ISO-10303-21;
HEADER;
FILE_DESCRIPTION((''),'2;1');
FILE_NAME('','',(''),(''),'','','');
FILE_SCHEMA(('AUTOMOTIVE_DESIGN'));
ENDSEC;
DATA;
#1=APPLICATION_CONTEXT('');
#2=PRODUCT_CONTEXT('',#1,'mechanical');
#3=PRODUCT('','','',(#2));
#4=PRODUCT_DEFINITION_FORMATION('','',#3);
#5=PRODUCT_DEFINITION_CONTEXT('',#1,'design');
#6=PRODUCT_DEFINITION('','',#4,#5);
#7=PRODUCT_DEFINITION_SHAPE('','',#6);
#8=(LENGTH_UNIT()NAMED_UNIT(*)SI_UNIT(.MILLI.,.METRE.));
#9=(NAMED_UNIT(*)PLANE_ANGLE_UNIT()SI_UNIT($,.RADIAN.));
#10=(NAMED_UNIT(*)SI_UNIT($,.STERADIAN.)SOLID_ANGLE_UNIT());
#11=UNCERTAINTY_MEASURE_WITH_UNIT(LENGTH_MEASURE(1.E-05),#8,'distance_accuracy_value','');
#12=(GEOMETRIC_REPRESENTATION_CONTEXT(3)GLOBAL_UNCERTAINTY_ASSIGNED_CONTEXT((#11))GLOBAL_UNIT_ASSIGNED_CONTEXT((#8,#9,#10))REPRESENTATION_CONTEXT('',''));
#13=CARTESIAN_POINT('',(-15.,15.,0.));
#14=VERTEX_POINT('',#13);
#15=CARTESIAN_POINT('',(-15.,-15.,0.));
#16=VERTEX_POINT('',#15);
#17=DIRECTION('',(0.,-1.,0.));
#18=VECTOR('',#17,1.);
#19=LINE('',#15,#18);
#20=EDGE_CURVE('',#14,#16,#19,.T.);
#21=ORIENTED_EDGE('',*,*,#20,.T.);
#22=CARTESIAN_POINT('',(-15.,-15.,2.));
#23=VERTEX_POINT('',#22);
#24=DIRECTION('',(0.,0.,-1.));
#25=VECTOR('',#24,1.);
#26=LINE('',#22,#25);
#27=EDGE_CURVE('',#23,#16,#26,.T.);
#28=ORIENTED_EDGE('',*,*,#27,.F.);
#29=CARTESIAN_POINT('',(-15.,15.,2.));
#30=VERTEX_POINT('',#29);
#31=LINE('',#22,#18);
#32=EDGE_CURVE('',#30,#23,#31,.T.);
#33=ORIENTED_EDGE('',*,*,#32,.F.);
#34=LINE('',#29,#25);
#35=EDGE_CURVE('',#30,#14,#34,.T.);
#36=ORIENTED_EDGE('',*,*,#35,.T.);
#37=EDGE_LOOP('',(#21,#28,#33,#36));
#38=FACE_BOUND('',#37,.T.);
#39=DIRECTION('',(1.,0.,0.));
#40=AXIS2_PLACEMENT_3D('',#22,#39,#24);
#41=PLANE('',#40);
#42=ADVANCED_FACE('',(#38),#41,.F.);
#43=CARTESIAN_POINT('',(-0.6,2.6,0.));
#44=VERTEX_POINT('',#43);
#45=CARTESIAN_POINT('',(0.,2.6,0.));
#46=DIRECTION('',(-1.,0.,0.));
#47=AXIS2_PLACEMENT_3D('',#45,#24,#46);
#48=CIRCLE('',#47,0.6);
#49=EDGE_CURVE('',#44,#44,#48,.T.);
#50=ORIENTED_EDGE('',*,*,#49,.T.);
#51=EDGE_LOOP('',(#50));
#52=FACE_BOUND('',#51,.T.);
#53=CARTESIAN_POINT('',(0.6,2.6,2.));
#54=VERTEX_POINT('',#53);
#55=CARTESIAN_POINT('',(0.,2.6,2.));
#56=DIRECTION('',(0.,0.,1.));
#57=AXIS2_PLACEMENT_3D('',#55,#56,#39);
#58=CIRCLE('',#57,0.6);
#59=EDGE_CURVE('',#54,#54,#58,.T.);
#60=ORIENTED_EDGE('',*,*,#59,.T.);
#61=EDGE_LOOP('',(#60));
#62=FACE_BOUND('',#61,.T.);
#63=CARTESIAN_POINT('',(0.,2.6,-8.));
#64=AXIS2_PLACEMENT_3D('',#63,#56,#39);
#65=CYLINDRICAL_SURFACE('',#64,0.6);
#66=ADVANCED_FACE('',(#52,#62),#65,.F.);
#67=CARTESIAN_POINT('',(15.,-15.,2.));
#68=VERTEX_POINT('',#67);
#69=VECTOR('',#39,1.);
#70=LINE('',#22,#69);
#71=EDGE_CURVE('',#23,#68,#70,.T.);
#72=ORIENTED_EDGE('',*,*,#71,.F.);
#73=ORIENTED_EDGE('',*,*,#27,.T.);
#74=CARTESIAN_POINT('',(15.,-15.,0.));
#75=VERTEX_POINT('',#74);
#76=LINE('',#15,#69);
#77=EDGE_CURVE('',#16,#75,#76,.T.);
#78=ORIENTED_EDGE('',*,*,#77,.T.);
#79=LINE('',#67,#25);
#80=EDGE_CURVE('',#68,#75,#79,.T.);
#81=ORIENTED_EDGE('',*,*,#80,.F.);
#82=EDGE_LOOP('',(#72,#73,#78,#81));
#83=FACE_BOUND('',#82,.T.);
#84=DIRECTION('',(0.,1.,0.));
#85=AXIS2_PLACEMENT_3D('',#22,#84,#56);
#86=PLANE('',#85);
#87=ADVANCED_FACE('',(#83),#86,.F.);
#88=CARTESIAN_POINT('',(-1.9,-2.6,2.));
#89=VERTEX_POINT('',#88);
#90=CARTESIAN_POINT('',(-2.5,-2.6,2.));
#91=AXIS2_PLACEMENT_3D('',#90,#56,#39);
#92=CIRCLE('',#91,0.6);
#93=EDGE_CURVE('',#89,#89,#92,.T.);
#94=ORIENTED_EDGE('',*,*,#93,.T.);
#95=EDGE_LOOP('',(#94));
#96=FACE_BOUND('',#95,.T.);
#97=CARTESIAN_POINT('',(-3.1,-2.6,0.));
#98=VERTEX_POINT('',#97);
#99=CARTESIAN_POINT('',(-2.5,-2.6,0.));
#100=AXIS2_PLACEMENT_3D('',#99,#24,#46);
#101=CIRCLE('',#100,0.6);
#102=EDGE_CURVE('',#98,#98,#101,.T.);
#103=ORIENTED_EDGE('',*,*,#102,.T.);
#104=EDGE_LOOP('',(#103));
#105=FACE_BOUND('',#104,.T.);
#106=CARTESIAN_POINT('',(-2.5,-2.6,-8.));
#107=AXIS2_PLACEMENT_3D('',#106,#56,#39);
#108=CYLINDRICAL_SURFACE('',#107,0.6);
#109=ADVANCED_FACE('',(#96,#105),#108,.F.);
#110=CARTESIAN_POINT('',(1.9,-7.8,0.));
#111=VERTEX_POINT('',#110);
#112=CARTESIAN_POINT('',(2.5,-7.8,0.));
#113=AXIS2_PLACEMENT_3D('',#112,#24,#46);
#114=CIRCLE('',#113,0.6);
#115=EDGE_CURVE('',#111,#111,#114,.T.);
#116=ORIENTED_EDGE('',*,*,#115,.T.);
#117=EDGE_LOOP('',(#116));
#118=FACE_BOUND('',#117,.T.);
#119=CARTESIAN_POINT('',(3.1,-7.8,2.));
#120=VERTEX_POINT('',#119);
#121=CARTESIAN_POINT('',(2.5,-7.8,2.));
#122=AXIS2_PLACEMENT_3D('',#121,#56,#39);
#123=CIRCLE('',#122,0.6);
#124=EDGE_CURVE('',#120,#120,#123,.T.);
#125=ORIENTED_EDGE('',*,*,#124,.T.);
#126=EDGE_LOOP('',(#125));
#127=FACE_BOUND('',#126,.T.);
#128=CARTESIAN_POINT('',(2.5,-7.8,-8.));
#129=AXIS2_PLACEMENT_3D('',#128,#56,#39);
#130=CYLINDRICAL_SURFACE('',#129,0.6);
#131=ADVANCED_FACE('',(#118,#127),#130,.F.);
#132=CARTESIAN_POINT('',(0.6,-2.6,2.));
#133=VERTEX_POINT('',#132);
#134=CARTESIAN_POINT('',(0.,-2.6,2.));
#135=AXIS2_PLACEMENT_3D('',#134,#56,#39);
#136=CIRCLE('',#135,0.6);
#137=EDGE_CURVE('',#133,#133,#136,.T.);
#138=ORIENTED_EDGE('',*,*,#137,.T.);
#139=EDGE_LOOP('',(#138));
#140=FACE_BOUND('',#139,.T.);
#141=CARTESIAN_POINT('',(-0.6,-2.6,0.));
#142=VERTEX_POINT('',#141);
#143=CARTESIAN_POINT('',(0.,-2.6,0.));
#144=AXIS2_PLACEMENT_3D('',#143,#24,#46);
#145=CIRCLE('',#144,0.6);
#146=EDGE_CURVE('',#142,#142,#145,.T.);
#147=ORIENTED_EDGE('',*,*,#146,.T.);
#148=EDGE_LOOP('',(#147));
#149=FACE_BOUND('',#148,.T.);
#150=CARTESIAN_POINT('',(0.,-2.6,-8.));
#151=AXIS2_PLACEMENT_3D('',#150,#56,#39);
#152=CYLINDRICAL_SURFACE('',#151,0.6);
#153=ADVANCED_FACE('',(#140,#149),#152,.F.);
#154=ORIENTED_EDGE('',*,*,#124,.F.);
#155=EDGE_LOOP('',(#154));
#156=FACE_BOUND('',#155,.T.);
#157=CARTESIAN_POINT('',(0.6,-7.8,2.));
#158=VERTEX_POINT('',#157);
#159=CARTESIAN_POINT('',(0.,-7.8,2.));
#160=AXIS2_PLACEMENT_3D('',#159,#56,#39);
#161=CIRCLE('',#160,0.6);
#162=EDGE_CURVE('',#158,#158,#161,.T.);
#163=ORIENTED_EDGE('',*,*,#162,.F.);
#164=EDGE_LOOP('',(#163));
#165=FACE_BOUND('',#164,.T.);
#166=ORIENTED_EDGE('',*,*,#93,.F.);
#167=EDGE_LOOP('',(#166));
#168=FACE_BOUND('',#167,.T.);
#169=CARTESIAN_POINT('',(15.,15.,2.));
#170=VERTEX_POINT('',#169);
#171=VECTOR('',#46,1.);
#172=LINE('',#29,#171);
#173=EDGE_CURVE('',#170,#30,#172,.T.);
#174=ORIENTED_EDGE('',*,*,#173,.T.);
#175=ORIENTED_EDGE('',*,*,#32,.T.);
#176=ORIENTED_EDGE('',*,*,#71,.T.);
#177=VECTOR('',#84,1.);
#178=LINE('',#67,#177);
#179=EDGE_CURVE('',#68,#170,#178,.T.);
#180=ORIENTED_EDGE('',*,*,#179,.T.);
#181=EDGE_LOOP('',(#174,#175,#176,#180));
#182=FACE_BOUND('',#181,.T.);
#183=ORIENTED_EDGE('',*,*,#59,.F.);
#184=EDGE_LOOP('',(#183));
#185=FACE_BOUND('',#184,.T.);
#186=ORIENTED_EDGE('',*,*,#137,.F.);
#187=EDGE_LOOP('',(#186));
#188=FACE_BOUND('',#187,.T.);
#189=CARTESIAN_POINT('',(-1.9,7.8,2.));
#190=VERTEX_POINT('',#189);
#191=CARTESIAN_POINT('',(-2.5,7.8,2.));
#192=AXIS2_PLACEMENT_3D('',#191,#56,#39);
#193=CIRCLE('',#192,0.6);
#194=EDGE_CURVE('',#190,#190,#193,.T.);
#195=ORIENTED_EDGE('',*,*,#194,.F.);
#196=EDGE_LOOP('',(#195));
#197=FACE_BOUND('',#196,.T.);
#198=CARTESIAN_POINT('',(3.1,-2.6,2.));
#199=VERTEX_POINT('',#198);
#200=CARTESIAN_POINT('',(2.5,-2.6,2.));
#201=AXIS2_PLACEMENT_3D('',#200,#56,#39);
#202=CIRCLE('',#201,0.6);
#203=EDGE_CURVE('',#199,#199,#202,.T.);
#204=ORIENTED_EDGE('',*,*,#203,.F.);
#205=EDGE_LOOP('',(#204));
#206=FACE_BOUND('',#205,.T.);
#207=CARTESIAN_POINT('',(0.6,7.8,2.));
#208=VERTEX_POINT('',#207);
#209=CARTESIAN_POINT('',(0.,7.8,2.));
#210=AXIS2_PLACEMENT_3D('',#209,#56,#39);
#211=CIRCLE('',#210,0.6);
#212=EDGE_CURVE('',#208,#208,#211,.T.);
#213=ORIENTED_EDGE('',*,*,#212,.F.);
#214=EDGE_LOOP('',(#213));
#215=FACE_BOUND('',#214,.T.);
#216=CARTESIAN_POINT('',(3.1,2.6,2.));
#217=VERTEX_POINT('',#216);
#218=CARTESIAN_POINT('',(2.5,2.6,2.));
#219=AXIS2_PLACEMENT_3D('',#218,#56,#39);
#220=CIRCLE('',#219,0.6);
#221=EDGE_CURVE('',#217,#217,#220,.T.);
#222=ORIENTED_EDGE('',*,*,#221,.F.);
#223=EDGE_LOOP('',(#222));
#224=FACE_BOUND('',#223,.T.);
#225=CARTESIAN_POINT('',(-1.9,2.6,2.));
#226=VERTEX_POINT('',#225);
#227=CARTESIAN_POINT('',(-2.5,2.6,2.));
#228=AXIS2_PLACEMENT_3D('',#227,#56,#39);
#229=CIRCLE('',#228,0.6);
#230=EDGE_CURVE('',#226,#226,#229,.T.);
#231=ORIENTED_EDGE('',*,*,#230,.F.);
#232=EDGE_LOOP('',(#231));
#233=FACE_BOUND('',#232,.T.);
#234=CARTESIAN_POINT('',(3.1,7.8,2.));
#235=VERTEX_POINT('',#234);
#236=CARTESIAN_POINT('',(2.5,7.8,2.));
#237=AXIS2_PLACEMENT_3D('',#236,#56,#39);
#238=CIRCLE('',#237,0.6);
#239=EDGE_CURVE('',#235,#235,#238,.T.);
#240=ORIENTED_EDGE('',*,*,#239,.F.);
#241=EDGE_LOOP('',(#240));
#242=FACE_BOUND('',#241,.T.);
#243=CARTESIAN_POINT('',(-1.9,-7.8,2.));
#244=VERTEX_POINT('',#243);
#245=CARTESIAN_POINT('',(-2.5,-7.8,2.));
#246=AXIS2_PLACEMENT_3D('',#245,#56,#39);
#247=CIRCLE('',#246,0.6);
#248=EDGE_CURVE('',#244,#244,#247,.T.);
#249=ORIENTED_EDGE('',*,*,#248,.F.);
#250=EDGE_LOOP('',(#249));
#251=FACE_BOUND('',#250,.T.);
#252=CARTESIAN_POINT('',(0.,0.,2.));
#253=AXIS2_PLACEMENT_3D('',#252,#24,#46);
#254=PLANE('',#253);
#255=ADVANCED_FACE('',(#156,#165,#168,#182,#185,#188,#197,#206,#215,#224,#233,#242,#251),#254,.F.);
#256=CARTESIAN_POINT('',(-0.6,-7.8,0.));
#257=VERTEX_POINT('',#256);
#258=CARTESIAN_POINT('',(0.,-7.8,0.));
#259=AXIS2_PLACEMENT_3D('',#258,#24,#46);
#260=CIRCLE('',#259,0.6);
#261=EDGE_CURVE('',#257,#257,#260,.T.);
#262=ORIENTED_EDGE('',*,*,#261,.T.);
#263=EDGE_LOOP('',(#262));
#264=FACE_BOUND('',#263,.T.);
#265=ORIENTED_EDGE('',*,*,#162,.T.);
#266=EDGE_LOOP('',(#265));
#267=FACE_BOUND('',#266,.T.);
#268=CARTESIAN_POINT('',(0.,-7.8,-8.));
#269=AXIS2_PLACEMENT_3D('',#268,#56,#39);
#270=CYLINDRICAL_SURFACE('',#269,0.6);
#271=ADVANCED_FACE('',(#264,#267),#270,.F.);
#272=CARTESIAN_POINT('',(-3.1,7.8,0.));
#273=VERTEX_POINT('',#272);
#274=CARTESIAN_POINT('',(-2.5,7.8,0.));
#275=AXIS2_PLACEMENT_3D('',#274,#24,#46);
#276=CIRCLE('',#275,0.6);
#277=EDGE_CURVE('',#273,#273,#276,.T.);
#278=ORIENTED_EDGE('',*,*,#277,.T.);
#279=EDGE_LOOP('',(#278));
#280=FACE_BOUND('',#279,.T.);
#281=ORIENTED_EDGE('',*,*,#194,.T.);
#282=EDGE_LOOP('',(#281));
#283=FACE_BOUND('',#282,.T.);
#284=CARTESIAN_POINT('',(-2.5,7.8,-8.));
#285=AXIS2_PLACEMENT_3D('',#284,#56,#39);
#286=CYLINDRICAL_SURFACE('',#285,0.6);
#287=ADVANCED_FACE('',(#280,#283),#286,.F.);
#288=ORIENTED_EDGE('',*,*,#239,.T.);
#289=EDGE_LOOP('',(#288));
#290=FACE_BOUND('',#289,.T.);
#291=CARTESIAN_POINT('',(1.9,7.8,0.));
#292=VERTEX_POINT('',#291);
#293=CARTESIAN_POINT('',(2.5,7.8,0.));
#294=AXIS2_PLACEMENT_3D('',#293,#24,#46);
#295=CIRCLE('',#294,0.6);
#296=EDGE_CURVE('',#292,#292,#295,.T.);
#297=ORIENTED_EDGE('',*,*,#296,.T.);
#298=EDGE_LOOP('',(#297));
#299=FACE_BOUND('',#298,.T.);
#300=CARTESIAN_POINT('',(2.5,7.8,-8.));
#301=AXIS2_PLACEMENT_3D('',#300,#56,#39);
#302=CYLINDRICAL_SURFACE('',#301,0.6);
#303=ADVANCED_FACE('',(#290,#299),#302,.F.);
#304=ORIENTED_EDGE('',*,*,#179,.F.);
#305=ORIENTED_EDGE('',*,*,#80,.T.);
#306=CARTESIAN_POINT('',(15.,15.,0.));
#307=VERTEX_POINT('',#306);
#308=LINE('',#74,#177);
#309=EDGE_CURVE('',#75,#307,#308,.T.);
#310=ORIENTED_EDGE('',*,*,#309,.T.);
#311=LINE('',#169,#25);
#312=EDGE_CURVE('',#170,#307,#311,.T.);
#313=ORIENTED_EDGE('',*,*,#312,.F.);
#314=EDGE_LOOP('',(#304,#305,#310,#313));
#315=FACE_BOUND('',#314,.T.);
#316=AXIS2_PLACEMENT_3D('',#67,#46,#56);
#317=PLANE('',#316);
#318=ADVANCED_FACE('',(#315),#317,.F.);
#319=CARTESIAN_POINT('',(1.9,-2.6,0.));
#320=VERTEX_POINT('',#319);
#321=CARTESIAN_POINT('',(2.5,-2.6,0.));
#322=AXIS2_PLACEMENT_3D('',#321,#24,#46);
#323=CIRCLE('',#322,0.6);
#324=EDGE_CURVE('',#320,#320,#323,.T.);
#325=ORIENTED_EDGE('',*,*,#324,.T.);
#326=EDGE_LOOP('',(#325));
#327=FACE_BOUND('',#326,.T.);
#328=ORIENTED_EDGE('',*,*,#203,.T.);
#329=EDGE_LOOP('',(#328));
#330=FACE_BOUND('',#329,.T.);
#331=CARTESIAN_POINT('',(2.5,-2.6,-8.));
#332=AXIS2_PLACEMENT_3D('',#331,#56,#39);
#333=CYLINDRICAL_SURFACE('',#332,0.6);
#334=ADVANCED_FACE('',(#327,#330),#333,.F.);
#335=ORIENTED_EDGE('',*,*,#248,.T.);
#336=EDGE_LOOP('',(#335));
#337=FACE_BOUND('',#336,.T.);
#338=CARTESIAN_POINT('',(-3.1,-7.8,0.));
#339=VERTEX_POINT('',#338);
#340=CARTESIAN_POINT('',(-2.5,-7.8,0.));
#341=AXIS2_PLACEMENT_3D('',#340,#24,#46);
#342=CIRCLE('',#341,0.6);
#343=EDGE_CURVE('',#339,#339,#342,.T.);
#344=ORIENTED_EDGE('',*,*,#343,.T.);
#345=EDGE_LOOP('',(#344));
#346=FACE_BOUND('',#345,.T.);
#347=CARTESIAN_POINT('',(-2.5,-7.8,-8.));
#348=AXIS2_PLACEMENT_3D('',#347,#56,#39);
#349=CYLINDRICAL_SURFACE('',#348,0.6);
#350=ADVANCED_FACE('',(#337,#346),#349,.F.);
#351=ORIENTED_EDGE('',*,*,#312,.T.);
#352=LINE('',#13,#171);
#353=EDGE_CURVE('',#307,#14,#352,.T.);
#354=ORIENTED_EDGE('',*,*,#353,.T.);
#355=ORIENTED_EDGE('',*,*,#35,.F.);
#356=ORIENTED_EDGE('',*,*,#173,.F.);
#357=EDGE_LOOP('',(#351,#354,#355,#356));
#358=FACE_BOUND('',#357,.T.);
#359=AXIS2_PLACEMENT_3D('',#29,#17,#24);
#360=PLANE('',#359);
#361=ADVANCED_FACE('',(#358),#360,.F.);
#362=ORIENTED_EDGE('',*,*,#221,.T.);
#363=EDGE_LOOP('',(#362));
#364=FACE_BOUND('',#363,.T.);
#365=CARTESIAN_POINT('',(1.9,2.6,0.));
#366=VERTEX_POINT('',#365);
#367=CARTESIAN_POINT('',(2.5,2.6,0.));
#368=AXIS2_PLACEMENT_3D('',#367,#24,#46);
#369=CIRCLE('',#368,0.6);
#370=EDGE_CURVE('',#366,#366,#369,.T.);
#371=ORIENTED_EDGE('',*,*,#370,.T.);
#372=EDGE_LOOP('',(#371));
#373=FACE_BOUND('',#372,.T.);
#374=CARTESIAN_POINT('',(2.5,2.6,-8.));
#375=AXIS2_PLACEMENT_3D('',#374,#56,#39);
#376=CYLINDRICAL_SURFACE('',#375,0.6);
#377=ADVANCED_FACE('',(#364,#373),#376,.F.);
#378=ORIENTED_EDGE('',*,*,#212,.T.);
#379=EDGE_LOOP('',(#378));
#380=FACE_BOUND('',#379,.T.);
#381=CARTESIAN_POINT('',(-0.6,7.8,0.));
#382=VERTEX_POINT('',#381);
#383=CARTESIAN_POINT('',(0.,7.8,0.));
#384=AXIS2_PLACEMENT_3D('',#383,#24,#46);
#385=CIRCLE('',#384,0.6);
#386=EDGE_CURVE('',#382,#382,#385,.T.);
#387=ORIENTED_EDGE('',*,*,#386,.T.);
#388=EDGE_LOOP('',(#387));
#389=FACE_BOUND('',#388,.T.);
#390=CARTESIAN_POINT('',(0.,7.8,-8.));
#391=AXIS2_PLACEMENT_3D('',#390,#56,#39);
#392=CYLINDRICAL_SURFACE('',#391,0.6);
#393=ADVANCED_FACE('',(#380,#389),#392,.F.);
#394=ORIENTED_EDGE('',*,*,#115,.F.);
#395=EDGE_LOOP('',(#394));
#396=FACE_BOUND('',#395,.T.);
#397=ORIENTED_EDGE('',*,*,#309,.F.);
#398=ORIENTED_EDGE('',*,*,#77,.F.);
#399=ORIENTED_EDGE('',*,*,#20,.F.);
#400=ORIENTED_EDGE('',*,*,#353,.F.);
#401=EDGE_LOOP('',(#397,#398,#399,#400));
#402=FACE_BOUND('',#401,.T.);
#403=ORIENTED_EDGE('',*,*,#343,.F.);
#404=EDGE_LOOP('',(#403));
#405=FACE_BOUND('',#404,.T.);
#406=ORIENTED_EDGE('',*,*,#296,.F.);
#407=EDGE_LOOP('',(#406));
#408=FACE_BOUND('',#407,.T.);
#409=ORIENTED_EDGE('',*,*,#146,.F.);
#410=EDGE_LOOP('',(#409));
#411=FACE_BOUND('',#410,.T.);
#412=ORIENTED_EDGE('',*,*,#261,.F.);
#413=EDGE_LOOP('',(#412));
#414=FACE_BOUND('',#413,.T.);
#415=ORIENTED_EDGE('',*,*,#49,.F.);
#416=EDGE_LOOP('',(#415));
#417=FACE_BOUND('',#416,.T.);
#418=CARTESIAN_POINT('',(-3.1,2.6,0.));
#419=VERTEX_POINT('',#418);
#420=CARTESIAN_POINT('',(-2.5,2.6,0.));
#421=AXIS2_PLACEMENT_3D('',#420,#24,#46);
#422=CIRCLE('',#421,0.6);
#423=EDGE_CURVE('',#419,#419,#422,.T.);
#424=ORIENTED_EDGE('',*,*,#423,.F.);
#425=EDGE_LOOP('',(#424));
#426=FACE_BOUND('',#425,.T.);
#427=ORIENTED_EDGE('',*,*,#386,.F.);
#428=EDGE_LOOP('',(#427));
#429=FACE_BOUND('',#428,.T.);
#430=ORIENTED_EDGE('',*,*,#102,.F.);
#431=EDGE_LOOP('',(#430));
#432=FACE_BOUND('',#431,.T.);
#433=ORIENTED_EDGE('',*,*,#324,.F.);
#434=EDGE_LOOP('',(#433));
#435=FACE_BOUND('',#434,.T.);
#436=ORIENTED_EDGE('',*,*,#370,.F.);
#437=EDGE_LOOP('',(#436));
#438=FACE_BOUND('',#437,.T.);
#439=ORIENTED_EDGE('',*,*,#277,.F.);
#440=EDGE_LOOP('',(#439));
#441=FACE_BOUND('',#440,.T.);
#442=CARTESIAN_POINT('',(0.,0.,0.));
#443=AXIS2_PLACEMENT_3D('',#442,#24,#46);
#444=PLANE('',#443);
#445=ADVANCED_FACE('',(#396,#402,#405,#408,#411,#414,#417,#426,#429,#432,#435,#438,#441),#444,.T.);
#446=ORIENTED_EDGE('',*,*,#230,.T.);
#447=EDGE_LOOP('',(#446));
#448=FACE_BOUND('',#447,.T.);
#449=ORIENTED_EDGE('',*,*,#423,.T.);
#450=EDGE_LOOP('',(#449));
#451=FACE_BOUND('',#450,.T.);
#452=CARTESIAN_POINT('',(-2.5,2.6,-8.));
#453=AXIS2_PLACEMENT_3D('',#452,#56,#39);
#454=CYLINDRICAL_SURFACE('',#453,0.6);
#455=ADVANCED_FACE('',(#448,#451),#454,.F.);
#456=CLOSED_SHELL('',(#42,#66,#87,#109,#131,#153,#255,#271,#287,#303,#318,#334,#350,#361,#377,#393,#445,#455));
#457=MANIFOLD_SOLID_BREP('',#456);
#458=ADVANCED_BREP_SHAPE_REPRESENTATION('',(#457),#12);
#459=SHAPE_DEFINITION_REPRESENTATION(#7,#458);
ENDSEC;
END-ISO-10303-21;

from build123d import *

# Parameters (mm, degrees)
ESQUISSE1_W            = 30
ESQUISSE1_H            = 30
BASE_PLATE_DEPTH       = 2
SKETCH_PERFORATIONS_R  = 0.6
CUT_PERFORATIONS_DEPTH = 10


with BuildPart() as part:
    # Esquisse1 → Base_Plate (new body)
    with BuildSketch(Plane.XY):
        Rectangle(ESQUISSE1_W, ESQUISSE1_H)
    extrude(amount=BASE_PLATE_DEPTH)

    # Sketch_Perforations → Cut_Perforations (cut)
    with BuildSketch(Plane.XY.offset(2)):
        with Locations((-2.5, -7.8)):
            Circle(SKETCH_PERFORATIONS_R)
        with Locations((-2.5, -2.6)):
            Circle(SKETCH_PERFORATIONS_R)
        with Locations((-2.5, 2.6)):
            Circle(SKETCH_PERFORATIONS_R)
        with Locations((-2.5, 7.8)):
            Circle(SKETCH_PERFORATIONS_R)
        with Locations((0, -7.8)):
            Circle(SKETCH_PERFORATIONS_R)
        with Locations((0, -2.6)):
            Circle(SKETCH_PERFORATIONS_R)
        with Locations((0, 2.6)):
            Circle(SKETCH_PERFORATIONS_R)
        with Locations((0, 7.8)):
            Circle(SKETCH_PERFORATIONS_R)
        with Locations((2.5, -7.8)):
            Circle(SKETCH_PERFORATIONS_R)
        with Locations((2.5, -2.6)):
            Circle(SKETCH_PERFORATIONS_R)
        with Locations((2.5, 2.6)):
            Circle(SKETCH_PERFORATIONS_R)
        with Locations((2.5, 7.8)):
            Circle(SKETCH_PERFORATIONS_R)
    extrude(amount=-CUT_PERFORATIONS_DEPTH, mode=Mode.SUBTRACT)


solid = part.part
